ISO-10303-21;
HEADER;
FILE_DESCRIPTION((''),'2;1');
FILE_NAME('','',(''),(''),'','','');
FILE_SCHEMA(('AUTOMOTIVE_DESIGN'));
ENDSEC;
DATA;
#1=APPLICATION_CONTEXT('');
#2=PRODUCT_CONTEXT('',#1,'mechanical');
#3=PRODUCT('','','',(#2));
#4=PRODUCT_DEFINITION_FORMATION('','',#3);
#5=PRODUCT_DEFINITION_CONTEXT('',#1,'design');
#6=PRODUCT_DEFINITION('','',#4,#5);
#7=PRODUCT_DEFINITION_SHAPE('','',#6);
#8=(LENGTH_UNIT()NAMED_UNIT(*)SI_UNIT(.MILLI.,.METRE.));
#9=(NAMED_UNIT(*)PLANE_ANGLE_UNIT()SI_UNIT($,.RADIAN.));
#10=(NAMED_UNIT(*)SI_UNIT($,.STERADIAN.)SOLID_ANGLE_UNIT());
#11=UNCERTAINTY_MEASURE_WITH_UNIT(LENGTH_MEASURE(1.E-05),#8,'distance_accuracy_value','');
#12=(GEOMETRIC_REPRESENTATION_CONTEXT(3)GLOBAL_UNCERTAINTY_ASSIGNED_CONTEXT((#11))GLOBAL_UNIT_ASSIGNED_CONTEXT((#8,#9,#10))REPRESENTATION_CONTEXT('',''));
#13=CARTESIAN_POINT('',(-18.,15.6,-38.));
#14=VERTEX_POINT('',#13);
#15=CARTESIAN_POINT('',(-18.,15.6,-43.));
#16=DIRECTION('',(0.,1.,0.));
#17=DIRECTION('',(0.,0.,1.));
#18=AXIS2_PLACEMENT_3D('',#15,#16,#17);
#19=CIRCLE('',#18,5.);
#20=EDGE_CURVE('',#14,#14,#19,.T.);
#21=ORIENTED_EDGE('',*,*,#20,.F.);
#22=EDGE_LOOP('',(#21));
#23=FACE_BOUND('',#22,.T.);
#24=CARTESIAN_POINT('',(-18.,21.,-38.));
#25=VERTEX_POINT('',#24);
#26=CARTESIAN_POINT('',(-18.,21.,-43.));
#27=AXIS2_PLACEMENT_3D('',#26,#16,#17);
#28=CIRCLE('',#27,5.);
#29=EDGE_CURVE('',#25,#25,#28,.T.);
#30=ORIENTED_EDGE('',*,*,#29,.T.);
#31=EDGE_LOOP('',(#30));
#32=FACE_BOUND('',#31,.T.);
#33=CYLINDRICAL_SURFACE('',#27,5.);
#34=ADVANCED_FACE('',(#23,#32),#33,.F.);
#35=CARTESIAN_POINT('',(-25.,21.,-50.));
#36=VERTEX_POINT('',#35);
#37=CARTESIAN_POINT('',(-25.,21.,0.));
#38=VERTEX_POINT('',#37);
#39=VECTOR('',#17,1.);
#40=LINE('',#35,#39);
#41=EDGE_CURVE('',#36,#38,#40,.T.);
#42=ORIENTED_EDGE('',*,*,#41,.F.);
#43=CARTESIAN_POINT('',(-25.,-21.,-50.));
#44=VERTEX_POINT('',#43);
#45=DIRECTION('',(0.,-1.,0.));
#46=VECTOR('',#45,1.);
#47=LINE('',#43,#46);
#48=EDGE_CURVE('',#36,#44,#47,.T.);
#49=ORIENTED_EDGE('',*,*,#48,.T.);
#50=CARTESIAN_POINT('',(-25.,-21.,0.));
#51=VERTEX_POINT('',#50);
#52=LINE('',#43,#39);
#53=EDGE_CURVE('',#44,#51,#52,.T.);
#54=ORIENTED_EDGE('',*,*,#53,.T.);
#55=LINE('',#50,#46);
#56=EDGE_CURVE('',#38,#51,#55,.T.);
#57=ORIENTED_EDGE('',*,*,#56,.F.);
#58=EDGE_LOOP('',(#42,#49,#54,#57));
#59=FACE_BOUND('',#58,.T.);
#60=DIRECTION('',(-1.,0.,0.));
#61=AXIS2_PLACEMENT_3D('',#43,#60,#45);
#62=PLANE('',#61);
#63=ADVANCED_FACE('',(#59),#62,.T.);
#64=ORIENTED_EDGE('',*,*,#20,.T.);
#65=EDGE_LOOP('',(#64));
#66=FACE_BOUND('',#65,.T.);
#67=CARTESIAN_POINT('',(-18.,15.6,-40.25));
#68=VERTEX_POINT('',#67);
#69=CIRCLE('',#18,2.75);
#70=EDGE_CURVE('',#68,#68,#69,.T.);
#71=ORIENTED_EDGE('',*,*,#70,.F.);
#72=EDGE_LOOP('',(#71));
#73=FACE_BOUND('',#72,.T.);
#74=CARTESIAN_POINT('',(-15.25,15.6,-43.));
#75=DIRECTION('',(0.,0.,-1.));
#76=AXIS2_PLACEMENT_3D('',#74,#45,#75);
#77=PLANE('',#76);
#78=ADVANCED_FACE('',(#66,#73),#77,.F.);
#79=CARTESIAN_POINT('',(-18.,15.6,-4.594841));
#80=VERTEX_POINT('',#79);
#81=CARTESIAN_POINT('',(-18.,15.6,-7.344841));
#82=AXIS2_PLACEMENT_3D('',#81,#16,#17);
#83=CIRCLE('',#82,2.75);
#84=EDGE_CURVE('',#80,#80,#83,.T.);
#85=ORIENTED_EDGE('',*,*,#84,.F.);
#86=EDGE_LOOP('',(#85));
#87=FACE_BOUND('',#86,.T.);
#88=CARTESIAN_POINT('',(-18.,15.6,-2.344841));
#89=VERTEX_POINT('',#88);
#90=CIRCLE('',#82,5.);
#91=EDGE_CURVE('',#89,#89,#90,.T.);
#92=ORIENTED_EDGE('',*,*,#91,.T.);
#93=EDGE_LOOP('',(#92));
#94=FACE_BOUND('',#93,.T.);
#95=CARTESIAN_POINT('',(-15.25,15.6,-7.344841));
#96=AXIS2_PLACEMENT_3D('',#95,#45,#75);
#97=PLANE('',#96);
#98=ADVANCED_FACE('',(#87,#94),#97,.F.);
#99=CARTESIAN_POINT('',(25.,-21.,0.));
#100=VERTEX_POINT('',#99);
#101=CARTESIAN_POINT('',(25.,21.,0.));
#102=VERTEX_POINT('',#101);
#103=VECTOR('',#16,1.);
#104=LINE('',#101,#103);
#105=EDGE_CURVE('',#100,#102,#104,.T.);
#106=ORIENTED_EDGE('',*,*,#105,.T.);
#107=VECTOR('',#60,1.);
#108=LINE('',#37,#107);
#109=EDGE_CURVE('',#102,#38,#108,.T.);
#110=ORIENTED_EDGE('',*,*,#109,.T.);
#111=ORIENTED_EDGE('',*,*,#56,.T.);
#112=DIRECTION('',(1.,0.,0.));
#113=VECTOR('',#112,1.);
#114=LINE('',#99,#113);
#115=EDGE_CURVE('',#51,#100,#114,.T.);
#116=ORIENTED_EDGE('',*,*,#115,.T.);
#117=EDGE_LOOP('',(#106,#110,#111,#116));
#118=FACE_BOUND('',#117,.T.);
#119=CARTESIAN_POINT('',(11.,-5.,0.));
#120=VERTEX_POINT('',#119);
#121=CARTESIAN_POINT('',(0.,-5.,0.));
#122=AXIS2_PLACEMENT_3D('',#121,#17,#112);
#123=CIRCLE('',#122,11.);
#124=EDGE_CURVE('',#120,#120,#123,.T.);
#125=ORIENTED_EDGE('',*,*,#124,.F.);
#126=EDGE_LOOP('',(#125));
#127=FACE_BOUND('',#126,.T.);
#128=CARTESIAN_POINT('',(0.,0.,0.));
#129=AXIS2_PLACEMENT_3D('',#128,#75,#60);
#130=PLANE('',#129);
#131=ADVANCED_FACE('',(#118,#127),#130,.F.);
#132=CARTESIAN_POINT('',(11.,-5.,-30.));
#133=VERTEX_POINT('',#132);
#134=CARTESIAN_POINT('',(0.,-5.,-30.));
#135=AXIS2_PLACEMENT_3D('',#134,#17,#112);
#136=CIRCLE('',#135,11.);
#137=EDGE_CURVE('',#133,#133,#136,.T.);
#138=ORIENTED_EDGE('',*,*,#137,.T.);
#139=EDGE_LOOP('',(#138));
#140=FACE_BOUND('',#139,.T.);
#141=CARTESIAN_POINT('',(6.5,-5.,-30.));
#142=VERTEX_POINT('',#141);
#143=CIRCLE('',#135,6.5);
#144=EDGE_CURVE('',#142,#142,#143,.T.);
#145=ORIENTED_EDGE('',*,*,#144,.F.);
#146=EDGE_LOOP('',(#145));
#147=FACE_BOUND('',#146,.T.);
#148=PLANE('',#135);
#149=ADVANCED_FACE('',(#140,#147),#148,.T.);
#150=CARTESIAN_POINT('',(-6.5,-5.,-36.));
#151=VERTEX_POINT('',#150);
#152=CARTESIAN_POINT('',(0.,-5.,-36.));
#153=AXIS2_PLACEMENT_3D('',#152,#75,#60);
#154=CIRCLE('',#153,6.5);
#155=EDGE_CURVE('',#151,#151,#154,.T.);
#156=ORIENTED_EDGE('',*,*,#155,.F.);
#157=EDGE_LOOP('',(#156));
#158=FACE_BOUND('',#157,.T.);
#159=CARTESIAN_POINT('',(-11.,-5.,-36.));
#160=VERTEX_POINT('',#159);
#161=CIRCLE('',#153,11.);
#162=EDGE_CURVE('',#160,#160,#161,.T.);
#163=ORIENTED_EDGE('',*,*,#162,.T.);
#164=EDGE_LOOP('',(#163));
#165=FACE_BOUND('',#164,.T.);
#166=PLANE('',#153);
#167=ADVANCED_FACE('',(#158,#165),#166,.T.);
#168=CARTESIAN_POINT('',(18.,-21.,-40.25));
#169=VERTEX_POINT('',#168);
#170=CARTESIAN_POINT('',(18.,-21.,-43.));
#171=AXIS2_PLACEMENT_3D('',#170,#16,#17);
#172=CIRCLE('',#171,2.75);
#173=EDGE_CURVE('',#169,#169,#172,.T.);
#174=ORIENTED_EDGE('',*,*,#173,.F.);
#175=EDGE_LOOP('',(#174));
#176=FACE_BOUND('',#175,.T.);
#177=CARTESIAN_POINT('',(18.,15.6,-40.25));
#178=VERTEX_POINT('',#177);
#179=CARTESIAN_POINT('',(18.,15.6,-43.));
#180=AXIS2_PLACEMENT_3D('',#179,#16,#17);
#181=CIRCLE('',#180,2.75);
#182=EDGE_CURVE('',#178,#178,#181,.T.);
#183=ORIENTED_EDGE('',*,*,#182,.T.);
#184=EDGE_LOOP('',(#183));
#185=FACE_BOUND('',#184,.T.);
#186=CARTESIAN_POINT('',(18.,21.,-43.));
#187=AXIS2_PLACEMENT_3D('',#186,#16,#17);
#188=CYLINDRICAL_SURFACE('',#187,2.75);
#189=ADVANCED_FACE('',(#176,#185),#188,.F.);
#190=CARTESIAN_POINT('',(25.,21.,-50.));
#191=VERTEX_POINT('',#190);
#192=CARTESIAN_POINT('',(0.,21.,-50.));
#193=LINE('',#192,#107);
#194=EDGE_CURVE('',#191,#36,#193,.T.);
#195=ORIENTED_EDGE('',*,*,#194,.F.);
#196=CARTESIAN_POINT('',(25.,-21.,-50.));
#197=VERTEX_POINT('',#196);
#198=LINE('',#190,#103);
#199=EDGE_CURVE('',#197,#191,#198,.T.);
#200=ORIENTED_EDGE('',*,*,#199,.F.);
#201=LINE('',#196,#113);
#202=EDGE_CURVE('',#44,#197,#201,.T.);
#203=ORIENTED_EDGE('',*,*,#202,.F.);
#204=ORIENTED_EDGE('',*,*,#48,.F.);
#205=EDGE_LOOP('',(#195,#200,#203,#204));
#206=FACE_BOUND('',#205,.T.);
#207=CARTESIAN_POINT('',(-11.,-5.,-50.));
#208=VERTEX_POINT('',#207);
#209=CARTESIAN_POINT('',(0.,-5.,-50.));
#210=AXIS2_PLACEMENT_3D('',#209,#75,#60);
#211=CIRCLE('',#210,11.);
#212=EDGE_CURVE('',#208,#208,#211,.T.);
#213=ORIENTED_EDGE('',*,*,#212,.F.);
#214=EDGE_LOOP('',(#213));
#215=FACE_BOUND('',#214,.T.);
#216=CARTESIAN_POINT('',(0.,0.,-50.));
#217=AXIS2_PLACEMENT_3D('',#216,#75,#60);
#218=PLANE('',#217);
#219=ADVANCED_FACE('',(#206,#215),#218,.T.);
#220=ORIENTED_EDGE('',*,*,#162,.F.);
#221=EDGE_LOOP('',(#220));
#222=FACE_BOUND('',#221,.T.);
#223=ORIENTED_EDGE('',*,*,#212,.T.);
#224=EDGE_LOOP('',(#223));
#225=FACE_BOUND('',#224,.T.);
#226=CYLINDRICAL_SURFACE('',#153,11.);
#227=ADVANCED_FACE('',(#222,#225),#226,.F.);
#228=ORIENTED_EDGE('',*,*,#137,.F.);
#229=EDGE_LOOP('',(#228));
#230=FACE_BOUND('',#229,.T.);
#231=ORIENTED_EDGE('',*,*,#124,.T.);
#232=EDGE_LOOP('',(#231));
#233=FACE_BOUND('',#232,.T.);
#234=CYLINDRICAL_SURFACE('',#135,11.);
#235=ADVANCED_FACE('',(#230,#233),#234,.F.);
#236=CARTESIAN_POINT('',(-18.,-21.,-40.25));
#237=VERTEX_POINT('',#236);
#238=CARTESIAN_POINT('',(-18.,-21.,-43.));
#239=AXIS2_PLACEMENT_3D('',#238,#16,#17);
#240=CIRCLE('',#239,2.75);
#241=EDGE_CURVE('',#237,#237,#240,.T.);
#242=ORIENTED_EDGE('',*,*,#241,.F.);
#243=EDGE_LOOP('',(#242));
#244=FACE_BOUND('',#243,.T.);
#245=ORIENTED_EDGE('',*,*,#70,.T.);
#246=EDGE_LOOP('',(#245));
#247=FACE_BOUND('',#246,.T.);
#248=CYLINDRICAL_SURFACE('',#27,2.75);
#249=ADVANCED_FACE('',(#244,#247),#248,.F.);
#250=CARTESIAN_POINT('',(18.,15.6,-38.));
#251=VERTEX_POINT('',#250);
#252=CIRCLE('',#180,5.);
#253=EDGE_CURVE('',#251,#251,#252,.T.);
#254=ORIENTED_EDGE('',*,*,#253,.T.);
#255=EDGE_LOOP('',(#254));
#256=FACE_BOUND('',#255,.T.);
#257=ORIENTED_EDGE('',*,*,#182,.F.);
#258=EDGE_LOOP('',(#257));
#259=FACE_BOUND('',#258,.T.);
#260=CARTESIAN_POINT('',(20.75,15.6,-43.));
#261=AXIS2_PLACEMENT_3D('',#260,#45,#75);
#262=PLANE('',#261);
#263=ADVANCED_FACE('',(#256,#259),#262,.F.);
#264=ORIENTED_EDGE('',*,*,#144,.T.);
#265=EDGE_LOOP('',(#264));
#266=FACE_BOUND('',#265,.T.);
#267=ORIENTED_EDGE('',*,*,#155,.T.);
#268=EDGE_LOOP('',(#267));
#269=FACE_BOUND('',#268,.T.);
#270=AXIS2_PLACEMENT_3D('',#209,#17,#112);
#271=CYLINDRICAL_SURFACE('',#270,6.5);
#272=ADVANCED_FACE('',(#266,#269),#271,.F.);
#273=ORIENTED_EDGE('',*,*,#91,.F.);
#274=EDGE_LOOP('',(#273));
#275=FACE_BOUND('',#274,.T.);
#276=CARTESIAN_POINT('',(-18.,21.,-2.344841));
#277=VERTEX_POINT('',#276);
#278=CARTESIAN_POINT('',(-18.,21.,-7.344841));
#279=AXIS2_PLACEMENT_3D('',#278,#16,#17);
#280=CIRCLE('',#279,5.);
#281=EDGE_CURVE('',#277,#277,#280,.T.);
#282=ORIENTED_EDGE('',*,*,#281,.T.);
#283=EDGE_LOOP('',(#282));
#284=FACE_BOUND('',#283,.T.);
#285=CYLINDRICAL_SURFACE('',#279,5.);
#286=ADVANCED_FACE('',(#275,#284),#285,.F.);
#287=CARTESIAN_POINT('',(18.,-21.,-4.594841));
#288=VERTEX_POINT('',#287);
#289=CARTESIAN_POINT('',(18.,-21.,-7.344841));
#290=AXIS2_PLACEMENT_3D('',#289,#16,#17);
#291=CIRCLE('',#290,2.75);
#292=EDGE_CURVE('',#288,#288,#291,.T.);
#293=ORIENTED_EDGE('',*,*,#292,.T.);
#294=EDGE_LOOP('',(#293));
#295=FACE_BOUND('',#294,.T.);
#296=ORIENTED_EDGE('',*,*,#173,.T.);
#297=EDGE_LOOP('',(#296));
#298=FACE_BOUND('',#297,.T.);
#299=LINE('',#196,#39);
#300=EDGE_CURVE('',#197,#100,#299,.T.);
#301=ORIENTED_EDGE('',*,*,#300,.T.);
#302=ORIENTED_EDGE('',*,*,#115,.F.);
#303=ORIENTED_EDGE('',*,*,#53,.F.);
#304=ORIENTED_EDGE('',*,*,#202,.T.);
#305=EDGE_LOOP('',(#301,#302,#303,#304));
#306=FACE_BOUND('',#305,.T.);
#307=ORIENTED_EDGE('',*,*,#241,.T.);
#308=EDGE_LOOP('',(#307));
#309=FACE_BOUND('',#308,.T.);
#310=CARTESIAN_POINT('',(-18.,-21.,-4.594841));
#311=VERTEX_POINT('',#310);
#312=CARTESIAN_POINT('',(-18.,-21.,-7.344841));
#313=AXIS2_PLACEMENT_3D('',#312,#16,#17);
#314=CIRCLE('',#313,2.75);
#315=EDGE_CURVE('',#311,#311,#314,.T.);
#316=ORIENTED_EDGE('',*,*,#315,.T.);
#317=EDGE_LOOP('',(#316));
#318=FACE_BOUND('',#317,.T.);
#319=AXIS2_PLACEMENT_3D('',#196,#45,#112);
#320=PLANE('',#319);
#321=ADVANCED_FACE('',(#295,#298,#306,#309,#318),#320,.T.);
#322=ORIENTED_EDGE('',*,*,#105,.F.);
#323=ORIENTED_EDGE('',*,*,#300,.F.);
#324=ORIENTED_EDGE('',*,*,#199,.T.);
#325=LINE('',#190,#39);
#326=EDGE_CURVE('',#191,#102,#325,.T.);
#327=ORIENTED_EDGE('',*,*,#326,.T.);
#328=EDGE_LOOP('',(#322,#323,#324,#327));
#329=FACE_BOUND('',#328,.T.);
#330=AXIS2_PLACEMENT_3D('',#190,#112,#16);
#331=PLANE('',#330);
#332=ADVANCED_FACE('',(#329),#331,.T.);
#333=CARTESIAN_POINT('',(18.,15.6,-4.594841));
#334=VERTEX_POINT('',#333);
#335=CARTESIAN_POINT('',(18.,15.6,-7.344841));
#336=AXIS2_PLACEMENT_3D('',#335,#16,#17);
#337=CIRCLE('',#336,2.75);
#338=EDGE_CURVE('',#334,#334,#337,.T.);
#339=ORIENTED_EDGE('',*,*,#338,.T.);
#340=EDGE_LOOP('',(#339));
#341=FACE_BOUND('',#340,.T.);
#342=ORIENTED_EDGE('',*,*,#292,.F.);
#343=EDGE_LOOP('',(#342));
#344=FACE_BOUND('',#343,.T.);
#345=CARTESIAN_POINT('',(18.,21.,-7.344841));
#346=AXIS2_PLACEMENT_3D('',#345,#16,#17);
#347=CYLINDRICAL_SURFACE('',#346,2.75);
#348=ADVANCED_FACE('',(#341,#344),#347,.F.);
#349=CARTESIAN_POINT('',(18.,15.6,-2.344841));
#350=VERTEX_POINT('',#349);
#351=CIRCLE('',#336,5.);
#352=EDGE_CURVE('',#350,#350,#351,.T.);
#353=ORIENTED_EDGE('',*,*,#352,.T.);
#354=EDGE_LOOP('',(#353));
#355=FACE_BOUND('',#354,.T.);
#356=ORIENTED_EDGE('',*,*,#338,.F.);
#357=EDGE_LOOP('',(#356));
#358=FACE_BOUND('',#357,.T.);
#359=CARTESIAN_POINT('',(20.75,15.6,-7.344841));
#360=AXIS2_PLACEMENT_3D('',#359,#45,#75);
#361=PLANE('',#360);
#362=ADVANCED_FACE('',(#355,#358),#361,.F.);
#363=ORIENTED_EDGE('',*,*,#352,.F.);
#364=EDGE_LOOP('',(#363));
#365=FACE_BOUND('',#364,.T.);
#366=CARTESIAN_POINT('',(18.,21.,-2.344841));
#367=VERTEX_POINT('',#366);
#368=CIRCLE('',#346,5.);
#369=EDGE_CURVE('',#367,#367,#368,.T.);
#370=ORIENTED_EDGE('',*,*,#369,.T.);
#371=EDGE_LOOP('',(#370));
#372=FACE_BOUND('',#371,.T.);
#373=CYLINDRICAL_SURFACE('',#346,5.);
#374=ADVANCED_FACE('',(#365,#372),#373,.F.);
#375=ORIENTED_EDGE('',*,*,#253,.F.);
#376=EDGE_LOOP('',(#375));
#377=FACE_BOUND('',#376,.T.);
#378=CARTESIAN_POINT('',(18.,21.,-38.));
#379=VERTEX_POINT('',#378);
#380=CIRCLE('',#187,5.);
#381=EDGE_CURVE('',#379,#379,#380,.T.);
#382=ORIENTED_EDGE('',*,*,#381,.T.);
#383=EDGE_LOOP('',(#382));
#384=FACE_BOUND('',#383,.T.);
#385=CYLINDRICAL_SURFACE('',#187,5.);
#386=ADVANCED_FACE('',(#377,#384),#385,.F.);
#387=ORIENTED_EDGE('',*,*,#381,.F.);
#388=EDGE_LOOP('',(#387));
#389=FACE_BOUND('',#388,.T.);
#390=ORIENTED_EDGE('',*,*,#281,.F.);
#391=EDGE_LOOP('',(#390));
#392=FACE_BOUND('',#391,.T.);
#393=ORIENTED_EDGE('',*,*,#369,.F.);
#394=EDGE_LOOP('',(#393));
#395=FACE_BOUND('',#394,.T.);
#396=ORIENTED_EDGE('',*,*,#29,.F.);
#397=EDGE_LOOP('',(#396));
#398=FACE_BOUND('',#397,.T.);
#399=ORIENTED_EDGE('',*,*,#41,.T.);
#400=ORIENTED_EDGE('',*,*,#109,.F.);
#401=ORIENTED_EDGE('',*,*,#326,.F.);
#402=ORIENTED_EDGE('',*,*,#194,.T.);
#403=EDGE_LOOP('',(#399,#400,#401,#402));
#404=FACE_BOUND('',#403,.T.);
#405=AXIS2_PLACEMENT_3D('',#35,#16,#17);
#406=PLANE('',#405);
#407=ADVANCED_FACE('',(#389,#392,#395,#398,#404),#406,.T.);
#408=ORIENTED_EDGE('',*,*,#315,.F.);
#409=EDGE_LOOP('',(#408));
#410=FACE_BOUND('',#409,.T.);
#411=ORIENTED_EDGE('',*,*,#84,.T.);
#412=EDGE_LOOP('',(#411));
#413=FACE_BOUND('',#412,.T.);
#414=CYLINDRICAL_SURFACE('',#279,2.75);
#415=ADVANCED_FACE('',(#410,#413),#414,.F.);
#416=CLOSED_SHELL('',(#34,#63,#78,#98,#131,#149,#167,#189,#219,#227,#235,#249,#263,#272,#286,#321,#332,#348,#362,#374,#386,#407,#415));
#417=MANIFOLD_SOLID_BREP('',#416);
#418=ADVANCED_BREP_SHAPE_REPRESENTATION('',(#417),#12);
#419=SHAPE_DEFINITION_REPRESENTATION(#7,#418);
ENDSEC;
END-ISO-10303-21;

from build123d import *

# Parameters (mm, degrees)
EXTRUDE_608_DEPTH          = 50
SKETCH_2_R                 = 11
CUT_EXTRUDE_1_DEPTH        = 14
CUT_EXTRUDE_START          = -30
SKETCH_3_R                 = 11
CUT_EXTRUDE_2_DEPTH        = 30
SKETCH_4_R                 = 6.5
CUT_EXTRUDE_3_DEPTH        = 60.715994507
HOLE_WIZARD_M5_D           = 5.5
HOLE_WIZARD_M5_CBORE_D     = 10
HOLE_WIZARD_M5_CBORE_DEPTH = 5.4


with BuildPart() as part:
    # Эскиз1 → Extrude 608 (new body)
    with BuildSketch(Plane.XY):
        Polygon((-25, 21), (0, 21), (25, 21), (25, -21), (-25, -21), align=None)
    extrude(amount=-EXTRUDE_608_DEPTH)

    # Эскиз2 → Вырез-Вытянуть1 (cut)
    with BuildSketch(Plane(origin=(0, 0, -50), x_dir=(-1, 0, 0), z_dir=(0, 0, -1))):
        with Locations((0, -5)):
            Circle(SKETCH_2_R)
    extrude(amount=-CUT_EXTRUDE_1_DEPTH, mode=Mode.SUBTRACT)

    # Эскиз3 → Вырез-Вытянуть2 (cut)
    with BuildSketch(Plane.XY.offset(CUT_EXTRUDE_START)):
        with Locations(Location((0, -5, 0), (0, 0, 180))):
            Circle(SKETCH_3_R)
    extrude(amount=CUT_EXTRUDE_2_DEPTH, mode=Mode.SUBTRACT)

    # Эскиз4 → Вырез-Вытянуть3 (cut, through all)
    with BuildSketch(Plane.XY):
        with Locations((0, -5)):
            Circle(SKETCH_4_R)
    extrude(amount=-CUT_EXTRUDE_3_DEPTH, mode=Mode.SUBTRACT)

    # Крепление M5 (through all)
    with Locations(Plane(origin=(0, 21, 0), x_dir=(1, 0, 0), z_dir=(0, 1, 0))):
        with Locations((-18, 43), (-18, 7.344841497), (18, 7.344841497), (18, 43)):
            CounterBoreHole(HOLE_WIZARD_M5_D / 2, HOLE_WIZARD_M5_CBORE_D / 2, HOLE_WIZARD_M5_CBORE_DEPTH)


solid = part.part
